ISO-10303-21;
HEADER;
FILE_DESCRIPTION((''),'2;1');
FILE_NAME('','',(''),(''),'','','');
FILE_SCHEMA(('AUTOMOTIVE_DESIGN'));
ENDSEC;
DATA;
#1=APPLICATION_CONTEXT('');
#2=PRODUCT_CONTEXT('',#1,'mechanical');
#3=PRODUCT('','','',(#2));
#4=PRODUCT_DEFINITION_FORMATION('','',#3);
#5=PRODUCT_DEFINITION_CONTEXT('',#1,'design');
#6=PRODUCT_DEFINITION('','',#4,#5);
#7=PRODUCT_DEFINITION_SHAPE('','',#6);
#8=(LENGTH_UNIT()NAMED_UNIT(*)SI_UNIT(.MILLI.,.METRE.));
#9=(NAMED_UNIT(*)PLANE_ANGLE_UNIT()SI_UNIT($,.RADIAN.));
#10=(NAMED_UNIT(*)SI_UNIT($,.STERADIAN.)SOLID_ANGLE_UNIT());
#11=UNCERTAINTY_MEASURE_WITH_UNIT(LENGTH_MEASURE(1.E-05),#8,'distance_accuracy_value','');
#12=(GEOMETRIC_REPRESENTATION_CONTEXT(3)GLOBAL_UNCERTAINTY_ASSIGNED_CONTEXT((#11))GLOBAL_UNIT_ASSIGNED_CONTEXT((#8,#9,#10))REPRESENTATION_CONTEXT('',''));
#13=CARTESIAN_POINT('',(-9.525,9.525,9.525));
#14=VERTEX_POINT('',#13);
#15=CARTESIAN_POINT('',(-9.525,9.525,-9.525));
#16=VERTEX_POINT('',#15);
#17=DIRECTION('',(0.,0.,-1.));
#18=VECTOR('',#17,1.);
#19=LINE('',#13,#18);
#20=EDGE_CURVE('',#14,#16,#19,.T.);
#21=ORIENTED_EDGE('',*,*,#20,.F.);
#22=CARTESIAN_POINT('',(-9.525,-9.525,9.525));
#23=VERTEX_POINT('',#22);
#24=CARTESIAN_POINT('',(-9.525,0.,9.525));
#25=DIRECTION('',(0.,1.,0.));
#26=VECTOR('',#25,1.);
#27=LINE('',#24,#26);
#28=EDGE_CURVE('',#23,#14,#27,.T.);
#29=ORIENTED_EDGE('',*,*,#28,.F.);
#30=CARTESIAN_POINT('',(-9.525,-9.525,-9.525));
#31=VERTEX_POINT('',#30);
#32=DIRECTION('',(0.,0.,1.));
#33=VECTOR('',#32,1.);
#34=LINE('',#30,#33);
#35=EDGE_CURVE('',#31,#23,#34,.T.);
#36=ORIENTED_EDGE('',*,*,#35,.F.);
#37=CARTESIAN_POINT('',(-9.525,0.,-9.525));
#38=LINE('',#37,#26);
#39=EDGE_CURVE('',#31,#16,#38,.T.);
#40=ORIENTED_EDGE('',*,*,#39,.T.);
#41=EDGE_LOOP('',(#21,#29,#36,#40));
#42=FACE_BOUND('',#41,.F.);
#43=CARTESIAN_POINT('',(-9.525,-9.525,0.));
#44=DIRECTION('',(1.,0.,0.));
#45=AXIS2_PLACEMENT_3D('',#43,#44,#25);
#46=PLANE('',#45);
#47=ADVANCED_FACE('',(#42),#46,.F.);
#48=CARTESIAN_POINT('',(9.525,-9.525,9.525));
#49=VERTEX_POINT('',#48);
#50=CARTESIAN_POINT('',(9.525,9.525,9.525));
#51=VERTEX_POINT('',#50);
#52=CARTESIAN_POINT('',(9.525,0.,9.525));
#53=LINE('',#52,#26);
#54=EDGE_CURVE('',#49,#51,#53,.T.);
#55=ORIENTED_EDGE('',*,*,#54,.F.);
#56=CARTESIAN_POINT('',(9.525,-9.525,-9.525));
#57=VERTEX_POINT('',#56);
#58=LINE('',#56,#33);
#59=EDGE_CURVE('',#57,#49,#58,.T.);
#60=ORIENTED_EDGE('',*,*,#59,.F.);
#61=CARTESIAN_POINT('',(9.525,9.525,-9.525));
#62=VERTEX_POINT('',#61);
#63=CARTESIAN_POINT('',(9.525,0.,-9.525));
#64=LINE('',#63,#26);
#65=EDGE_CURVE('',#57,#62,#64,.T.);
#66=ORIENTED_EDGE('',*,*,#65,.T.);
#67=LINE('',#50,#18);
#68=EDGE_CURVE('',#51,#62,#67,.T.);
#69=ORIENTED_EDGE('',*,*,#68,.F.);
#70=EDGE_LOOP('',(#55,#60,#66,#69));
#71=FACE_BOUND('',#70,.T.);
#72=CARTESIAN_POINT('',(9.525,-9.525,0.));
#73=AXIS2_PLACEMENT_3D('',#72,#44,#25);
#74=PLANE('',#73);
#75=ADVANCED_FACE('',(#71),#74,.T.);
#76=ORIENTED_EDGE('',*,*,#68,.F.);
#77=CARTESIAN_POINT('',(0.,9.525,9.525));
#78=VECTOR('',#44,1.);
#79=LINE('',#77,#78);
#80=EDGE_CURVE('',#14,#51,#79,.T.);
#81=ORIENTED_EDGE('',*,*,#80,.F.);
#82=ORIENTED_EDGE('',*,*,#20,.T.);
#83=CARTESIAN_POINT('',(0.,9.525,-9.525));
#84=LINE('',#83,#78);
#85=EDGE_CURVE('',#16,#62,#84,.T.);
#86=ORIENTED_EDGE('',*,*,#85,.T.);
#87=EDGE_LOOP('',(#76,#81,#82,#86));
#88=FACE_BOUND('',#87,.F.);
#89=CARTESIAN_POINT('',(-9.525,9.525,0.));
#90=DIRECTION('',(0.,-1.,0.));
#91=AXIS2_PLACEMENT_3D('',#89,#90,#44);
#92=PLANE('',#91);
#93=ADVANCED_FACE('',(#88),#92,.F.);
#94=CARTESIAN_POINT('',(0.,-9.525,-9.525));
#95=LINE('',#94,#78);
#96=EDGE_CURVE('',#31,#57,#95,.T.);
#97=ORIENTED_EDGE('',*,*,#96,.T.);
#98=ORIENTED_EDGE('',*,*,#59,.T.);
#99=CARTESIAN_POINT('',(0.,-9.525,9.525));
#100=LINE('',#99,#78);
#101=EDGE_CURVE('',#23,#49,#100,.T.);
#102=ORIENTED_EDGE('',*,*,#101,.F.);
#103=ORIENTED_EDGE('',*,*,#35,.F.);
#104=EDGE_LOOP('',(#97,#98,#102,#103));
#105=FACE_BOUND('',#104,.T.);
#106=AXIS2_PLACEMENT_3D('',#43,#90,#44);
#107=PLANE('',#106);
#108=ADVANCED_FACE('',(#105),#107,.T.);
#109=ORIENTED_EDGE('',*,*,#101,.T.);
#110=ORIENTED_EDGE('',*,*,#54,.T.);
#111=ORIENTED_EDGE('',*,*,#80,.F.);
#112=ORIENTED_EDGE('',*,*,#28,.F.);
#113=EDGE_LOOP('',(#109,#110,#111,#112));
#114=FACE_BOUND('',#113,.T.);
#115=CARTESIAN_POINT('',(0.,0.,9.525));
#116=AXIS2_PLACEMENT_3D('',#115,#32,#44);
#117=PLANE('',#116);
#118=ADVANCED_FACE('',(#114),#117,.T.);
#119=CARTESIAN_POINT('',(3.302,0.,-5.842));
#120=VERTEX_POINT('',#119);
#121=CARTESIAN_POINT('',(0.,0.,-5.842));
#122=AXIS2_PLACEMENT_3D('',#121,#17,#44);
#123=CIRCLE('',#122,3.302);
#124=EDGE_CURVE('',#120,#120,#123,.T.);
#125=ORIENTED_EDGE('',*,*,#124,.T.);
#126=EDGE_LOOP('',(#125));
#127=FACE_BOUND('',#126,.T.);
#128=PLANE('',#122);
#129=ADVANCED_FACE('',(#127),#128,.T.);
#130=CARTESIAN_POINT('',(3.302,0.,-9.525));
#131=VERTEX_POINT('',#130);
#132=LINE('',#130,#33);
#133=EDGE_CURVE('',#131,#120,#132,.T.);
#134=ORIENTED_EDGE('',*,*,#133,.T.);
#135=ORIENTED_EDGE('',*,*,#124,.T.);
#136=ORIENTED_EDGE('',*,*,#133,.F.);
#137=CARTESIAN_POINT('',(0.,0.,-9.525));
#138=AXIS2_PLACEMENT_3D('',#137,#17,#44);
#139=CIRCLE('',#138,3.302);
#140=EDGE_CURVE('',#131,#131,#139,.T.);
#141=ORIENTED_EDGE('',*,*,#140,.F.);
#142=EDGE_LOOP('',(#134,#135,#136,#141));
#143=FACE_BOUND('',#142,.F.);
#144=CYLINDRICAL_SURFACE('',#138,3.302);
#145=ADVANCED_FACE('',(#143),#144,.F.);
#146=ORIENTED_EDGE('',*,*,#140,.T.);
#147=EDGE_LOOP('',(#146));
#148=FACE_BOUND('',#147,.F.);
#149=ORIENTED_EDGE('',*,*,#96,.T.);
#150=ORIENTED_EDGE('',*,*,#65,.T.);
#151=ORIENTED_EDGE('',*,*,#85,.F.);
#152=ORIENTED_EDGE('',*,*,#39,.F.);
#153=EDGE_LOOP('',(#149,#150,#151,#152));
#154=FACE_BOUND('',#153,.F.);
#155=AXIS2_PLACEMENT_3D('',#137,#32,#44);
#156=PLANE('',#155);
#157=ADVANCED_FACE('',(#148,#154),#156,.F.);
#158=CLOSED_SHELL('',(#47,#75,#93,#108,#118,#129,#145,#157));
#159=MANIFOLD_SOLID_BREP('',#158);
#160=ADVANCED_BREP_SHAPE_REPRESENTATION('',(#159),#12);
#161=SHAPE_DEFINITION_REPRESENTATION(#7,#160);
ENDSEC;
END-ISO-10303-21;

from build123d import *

# Parameters (mm, degrees)
F0_W     = 19.05
F0_H     = 19.05
F1_DEPTH = 9.525
F2_R     = 3.302
F3_DEPTH = 3.683


with BuildPart() as f1:
    # F0 (on Top) → F1 (new body, symmetric)
    with BuildSketch(Plane.XY):
        Rectangle(F0_W, F0_H)
    extrude(amount=F1_DEPTH, both=True)

    # F2 (on face) → F3 (cut)
    with BuildSketch(Plane(origin=(0, 0, -9.525), x_dir=(1, 0, 0), z_dir=(0, 0, -1))):
        Circle(F2_R)
    extrude(amount=-F3_DEPTH, mode=Mode.SUBTRACT)


solid = f1.part
